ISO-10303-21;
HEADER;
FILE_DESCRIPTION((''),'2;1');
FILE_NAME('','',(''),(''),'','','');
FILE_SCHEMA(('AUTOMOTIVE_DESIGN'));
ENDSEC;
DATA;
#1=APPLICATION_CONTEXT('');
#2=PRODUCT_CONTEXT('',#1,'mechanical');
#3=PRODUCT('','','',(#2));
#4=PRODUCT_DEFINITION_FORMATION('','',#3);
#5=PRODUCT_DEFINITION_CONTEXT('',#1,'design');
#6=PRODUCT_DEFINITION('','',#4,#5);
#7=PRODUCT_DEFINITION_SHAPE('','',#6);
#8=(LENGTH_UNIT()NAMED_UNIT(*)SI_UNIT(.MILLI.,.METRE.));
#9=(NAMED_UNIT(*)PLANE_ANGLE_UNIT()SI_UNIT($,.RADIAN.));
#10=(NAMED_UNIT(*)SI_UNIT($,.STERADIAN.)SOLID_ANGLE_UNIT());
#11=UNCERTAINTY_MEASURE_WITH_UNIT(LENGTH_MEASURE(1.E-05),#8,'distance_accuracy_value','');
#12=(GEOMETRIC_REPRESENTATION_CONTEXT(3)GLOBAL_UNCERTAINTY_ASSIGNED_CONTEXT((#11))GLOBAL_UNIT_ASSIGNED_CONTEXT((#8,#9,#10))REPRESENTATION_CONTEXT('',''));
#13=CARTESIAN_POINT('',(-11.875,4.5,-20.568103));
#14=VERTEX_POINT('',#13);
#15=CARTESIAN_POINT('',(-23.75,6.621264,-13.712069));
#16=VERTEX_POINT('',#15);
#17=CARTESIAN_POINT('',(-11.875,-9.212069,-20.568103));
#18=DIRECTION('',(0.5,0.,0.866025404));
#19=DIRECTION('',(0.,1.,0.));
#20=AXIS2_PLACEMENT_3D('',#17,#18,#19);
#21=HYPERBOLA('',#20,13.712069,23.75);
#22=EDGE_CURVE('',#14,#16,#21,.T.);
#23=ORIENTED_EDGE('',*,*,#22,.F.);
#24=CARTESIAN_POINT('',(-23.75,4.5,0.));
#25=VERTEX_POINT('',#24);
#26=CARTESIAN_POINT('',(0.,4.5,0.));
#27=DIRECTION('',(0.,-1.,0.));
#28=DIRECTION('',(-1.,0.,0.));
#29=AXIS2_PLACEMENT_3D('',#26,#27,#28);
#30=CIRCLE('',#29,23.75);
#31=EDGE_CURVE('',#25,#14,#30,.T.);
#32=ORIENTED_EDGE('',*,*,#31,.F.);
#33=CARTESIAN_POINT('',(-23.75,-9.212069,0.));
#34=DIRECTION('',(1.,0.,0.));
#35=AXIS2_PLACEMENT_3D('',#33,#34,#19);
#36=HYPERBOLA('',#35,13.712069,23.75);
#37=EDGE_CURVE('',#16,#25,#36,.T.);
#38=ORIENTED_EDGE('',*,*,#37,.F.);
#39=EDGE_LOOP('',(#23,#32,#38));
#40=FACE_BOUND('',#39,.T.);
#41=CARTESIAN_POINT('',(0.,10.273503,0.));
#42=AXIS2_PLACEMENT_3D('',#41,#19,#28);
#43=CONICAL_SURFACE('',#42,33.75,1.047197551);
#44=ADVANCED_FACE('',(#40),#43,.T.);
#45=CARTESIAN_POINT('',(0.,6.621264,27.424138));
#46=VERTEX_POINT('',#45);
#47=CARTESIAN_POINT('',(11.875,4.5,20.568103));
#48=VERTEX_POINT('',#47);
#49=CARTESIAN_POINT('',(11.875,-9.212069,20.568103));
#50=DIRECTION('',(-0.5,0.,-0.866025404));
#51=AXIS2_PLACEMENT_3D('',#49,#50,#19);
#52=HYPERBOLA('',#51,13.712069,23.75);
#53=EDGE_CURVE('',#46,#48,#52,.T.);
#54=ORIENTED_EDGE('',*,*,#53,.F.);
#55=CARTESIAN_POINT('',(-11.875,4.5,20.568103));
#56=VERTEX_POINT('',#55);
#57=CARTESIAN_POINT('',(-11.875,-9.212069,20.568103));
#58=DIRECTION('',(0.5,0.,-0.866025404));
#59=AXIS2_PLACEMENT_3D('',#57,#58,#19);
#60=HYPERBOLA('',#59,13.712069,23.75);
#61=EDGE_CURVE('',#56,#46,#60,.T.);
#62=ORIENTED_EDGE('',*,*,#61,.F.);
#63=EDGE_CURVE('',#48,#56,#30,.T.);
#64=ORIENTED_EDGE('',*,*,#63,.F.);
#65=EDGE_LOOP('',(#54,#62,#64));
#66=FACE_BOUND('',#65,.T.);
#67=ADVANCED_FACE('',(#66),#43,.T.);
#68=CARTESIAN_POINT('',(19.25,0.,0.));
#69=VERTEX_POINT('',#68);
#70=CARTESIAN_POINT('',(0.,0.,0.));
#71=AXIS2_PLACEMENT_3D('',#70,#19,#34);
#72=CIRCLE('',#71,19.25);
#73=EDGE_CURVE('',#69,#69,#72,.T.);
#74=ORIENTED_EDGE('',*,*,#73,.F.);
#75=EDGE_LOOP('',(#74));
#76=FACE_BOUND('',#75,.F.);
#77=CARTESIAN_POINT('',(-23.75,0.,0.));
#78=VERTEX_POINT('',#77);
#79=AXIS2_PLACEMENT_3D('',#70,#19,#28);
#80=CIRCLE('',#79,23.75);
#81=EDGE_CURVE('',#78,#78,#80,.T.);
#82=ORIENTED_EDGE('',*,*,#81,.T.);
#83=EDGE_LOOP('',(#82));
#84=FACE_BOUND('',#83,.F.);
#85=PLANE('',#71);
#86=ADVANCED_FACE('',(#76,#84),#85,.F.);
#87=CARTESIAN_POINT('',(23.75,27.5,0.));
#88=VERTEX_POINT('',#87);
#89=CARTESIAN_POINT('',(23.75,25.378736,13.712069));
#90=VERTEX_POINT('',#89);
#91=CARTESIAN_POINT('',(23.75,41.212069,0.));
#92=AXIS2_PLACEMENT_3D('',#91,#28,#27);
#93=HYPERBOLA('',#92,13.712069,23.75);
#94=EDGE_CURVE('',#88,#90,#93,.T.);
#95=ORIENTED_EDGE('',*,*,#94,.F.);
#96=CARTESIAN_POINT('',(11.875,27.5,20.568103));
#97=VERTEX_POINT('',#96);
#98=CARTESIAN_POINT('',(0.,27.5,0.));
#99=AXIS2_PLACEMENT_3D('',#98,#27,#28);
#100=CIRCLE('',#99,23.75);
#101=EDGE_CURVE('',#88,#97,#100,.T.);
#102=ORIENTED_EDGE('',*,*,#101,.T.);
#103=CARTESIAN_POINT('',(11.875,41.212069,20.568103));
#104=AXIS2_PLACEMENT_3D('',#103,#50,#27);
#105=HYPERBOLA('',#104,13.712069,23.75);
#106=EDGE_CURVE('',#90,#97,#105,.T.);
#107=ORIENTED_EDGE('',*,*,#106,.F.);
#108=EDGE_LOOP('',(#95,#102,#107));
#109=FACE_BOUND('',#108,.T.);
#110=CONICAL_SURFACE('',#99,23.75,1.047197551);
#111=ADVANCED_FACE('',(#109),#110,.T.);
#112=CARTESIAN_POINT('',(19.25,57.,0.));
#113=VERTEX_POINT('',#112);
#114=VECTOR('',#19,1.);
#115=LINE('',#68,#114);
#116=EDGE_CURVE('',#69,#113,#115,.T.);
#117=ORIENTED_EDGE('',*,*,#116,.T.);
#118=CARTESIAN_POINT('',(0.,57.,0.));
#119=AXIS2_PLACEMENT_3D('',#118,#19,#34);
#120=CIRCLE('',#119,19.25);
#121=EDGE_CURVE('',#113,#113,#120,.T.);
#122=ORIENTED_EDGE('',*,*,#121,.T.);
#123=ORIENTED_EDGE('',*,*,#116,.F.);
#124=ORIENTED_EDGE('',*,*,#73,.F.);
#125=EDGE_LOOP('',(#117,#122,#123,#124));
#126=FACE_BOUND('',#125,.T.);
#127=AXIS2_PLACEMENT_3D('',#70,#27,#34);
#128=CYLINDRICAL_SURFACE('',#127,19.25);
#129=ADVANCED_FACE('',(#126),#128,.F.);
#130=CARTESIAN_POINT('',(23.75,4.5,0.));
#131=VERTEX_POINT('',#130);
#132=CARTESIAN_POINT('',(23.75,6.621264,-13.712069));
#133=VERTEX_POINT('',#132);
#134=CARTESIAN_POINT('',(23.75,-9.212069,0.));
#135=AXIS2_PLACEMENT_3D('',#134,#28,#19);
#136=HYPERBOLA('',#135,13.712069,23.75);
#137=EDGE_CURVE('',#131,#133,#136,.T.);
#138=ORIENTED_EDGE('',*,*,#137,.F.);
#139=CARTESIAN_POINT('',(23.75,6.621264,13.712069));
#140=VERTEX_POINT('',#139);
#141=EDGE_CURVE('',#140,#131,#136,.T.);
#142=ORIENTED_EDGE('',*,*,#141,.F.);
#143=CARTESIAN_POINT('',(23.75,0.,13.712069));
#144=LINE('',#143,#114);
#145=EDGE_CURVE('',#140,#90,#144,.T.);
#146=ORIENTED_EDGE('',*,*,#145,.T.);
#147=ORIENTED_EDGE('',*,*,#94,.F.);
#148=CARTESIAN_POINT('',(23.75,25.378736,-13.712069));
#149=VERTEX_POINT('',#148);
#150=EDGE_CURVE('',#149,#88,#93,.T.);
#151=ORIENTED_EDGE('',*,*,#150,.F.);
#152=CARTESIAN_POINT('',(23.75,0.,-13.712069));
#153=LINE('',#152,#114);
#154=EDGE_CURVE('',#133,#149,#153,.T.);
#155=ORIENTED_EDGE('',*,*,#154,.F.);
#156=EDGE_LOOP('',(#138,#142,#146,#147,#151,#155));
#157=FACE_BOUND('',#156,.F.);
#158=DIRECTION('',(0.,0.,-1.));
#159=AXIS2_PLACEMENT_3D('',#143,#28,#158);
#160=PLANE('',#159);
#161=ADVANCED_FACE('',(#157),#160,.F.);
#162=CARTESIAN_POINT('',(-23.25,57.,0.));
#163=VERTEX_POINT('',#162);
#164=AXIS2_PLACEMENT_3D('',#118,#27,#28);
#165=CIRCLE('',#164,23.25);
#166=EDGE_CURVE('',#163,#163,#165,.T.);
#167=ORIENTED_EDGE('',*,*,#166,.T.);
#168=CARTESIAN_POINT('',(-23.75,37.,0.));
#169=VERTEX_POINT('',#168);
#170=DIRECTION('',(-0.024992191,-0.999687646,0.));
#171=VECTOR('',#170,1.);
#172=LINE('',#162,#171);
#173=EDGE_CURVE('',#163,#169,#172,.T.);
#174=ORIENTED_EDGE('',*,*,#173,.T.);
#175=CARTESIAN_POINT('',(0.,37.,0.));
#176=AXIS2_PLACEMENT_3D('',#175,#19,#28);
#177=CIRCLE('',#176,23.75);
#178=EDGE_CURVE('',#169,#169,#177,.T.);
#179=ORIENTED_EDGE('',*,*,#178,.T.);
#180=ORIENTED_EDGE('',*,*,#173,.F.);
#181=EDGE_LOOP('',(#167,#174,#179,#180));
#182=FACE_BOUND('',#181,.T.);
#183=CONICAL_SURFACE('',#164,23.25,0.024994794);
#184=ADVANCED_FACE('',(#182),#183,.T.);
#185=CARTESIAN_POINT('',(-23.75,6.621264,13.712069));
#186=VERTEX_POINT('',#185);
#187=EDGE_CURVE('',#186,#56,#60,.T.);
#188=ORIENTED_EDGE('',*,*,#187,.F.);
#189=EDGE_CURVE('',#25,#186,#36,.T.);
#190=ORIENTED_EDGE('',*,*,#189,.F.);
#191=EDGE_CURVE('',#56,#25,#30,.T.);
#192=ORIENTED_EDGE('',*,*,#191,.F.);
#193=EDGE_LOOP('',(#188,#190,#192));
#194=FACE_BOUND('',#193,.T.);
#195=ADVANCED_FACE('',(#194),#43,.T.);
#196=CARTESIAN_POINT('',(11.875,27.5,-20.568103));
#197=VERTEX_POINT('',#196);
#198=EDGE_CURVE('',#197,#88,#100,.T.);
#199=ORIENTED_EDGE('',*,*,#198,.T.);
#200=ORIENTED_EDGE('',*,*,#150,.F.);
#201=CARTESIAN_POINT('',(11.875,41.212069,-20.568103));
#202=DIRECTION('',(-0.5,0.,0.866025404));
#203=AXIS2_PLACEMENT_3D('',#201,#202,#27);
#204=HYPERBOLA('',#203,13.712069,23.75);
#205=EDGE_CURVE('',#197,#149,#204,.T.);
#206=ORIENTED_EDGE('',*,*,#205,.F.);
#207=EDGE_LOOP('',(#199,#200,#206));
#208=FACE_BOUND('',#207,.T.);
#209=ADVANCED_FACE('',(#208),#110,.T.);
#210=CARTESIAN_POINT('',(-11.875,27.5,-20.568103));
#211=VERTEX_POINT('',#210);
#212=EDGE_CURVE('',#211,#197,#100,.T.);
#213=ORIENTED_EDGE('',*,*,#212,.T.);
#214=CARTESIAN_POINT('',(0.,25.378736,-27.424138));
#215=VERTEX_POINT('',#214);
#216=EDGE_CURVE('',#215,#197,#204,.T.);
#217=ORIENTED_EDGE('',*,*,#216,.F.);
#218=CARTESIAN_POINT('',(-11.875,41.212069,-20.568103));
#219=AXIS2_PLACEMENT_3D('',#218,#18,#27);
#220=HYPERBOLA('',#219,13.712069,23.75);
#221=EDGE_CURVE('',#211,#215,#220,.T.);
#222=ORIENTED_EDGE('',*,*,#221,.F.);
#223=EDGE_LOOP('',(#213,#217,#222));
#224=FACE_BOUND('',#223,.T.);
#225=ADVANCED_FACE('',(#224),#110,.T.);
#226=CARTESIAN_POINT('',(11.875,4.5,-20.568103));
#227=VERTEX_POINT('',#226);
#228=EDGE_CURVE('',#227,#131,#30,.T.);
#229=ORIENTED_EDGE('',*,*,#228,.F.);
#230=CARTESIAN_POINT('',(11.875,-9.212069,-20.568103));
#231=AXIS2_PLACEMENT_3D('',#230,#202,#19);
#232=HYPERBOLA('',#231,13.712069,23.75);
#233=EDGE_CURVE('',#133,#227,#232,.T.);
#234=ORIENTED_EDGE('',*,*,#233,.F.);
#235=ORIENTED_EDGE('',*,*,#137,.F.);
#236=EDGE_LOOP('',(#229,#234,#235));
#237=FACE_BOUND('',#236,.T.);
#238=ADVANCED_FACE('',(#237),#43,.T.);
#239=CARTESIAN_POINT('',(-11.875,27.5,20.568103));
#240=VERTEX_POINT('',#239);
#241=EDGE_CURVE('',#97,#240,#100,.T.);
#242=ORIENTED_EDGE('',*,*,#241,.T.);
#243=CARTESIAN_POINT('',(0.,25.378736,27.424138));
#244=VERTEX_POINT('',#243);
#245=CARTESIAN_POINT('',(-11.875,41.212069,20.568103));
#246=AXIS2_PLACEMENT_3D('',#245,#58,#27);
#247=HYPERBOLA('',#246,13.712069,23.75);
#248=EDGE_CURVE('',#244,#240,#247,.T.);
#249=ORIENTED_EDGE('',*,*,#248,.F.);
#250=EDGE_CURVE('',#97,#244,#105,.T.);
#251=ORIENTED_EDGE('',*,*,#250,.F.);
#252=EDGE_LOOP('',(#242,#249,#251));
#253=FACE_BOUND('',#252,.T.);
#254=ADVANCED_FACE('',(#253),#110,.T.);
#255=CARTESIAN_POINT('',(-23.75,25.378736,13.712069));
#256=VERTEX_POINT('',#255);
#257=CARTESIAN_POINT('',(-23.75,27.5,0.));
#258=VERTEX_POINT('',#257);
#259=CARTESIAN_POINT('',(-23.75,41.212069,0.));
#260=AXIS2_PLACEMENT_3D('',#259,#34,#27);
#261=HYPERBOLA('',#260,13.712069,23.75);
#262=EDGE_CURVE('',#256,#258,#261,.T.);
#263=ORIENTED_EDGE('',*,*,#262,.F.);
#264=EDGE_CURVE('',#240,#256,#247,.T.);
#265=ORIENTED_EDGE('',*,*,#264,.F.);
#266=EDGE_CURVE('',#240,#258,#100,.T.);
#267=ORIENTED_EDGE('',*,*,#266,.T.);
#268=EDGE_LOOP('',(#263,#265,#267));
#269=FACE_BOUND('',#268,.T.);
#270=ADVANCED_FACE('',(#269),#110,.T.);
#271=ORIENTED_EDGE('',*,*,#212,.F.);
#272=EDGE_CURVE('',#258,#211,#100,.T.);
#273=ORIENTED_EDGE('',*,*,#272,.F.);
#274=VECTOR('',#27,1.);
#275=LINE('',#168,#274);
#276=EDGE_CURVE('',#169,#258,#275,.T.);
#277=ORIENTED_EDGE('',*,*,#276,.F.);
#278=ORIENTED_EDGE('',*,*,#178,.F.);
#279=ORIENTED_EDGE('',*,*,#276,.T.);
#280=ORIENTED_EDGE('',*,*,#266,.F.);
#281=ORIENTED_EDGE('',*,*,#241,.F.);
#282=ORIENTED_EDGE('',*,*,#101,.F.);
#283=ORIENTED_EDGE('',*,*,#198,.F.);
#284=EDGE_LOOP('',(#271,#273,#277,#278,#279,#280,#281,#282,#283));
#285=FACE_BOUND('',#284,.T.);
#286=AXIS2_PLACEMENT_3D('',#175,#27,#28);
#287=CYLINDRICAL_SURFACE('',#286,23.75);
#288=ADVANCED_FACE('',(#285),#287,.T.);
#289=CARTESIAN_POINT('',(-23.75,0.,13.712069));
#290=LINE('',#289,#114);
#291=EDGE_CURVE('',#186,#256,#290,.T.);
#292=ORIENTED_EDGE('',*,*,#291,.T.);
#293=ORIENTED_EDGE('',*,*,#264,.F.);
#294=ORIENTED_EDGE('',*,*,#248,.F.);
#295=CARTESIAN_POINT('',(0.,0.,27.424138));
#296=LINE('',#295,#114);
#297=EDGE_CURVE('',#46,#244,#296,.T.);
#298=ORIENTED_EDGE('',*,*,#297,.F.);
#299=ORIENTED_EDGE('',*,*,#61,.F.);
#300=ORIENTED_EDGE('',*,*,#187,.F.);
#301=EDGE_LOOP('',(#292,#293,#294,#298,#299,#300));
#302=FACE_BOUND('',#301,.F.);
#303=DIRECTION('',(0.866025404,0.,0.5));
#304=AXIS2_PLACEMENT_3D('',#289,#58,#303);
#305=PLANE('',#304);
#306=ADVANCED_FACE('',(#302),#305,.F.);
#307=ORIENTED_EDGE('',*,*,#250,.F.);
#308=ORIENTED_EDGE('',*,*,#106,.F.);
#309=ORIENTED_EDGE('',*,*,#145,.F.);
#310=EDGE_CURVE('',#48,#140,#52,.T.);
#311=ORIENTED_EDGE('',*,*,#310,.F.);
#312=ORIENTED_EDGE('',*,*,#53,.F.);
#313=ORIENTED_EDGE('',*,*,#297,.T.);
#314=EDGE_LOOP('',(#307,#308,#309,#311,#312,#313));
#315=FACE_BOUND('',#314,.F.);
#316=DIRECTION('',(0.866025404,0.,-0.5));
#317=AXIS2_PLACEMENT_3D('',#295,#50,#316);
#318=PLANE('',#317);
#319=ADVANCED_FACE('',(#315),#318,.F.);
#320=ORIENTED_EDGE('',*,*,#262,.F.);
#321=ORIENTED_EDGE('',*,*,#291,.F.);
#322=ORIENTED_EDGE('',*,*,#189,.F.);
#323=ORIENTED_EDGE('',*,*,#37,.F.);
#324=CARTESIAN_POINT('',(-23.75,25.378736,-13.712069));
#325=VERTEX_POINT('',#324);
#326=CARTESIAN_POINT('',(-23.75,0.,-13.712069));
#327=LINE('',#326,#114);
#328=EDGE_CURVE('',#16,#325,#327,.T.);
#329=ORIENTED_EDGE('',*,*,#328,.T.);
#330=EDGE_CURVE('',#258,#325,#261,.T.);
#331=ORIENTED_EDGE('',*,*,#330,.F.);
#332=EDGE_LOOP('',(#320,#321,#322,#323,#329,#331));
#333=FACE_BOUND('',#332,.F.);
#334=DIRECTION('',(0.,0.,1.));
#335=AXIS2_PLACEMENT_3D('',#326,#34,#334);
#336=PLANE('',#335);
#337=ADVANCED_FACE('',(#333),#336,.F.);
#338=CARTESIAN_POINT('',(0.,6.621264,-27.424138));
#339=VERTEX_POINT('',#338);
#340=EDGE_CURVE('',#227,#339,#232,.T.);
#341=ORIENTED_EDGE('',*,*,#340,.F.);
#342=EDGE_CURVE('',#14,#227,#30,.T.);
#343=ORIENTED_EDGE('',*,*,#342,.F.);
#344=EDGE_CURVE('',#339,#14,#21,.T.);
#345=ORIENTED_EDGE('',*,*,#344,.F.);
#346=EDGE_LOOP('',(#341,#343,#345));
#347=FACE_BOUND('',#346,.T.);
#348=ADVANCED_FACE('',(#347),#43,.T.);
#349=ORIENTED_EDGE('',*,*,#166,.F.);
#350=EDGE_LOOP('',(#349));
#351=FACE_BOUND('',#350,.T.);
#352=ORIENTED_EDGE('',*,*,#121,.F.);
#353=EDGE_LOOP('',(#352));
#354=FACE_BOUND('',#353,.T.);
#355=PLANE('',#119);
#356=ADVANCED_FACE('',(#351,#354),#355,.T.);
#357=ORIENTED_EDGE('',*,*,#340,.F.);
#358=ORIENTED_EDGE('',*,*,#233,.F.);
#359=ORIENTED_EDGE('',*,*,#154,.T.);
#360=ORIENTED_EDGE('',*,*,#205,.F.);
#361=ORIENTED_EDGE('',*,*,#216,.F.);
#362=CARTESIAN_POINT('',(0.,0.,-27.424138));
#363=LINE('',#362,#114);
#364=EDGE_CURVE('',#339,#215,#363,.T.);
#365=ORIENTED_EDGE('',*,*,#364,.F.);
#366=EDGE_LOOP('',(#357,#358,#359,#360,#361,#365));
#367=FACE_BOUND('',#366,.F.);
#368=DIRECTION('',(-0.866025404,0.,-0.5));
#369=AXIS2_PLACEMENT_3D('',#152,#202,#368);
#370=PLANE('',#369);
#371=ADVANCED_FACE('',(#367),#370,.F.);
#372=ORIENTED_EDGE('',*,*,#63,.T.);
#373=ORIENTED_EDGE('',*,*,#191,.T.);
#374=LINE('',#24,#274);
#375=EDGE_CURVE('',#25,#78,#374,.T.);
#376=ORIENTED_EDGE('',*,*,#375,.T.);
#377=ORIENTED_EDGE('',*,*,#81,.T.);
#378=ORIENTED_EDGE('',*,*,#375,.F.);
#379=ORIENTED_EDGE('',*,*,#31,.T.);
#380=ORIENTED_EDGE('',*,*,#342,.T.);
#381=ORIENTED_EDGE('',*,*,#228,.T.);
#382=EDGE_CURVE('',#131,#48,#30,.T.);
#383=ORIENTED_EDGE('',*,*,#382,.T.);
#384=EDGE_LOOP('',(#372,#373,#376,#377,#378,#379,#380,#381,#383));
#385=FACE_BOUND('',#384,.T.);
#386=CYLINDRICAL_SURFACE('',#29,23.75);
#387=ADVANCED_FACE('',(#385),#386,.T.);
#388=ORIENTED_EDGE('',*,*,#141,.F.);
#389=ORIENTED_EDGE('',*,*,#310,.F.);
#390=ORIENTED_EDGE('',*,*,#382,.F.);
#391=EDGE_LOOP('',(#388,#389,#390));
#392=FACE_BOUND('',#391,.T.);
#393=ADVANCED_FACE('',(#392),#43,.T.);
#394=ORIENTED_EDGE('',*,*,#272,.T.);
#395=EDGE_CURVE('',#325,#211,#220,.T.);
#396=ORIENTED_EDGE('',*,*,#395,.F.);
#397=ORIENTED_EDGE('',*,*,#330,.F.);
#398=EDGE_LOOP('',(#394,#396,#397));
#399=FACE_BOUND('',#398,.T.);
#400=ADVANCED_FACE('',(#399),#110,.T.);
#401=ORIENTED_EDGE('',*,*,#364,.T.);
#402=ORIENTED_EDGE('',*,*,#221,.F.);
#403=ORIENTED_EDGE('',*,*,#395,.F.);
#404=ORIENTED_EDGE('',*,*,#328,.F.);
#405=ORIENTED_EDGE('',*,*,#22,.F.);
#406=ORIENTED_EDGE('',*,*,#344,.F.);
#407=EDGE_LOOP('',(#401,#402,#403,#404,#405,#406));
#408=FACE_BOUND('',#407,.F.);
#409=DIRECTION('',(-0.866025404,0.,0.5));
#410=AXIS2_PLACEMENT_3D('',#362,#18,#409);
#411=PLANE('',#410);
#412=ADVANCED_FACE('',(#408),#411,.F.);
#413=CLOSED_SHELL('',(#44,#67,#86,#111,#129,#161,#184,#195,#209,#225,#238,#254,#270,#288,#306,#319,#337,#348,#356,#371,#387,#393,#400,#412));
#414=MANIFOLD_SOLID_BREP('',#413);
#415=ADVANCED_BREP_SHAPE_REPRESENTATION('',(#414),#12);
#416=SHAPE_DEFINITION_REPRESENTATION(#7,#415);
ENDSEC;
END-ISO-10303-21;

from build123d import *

# Parameters (mm, degrees)
SKETCH2_R           = 19.25
BOSS_EXTRUDE1_DEPTH = 57


with BuildPart() as part:
    # Sketch2 → Boss-Extrude1 (new body)
    with BuildSketch(Plane(origin=(0, 0, 0), x_dir=(1, 0, 0), z_dir=(0, 1, 0))):
        Polygon((0, 27.424137787), (-23.75, 13.712068893), (-23.75, -13.712068893), (0, -27.424137787), (23.75, -13.712068893), (23.75, 13.712068893), align=None)
        Circle(SKETCH2_R, mode=Mode.SUBTRACT)
    extrude(amount=BOSS_EXTRUDE1_DEPTH)

    # Sketch3 → Cut-Revolve2 (revolve, cut)
    with BuildSketch(Plane.XY):
        Polygon((0, 57), (-23.25, 57), (-23.75, 37), (-23.75, 27.5), (-33.75, 21.726497308), (-33.75, 10.273502692), (-23.75, 4.5), (-23.75, 0), (-45.690595107, 0), (-45.690595107, 61.224990586), (0, 61.224990586), align=None)
    revolve(axis=Axis((0, 64.286240116, 0), (0, -1, 0)), mode=Mode.SUBTRACT)


solid = part.part
